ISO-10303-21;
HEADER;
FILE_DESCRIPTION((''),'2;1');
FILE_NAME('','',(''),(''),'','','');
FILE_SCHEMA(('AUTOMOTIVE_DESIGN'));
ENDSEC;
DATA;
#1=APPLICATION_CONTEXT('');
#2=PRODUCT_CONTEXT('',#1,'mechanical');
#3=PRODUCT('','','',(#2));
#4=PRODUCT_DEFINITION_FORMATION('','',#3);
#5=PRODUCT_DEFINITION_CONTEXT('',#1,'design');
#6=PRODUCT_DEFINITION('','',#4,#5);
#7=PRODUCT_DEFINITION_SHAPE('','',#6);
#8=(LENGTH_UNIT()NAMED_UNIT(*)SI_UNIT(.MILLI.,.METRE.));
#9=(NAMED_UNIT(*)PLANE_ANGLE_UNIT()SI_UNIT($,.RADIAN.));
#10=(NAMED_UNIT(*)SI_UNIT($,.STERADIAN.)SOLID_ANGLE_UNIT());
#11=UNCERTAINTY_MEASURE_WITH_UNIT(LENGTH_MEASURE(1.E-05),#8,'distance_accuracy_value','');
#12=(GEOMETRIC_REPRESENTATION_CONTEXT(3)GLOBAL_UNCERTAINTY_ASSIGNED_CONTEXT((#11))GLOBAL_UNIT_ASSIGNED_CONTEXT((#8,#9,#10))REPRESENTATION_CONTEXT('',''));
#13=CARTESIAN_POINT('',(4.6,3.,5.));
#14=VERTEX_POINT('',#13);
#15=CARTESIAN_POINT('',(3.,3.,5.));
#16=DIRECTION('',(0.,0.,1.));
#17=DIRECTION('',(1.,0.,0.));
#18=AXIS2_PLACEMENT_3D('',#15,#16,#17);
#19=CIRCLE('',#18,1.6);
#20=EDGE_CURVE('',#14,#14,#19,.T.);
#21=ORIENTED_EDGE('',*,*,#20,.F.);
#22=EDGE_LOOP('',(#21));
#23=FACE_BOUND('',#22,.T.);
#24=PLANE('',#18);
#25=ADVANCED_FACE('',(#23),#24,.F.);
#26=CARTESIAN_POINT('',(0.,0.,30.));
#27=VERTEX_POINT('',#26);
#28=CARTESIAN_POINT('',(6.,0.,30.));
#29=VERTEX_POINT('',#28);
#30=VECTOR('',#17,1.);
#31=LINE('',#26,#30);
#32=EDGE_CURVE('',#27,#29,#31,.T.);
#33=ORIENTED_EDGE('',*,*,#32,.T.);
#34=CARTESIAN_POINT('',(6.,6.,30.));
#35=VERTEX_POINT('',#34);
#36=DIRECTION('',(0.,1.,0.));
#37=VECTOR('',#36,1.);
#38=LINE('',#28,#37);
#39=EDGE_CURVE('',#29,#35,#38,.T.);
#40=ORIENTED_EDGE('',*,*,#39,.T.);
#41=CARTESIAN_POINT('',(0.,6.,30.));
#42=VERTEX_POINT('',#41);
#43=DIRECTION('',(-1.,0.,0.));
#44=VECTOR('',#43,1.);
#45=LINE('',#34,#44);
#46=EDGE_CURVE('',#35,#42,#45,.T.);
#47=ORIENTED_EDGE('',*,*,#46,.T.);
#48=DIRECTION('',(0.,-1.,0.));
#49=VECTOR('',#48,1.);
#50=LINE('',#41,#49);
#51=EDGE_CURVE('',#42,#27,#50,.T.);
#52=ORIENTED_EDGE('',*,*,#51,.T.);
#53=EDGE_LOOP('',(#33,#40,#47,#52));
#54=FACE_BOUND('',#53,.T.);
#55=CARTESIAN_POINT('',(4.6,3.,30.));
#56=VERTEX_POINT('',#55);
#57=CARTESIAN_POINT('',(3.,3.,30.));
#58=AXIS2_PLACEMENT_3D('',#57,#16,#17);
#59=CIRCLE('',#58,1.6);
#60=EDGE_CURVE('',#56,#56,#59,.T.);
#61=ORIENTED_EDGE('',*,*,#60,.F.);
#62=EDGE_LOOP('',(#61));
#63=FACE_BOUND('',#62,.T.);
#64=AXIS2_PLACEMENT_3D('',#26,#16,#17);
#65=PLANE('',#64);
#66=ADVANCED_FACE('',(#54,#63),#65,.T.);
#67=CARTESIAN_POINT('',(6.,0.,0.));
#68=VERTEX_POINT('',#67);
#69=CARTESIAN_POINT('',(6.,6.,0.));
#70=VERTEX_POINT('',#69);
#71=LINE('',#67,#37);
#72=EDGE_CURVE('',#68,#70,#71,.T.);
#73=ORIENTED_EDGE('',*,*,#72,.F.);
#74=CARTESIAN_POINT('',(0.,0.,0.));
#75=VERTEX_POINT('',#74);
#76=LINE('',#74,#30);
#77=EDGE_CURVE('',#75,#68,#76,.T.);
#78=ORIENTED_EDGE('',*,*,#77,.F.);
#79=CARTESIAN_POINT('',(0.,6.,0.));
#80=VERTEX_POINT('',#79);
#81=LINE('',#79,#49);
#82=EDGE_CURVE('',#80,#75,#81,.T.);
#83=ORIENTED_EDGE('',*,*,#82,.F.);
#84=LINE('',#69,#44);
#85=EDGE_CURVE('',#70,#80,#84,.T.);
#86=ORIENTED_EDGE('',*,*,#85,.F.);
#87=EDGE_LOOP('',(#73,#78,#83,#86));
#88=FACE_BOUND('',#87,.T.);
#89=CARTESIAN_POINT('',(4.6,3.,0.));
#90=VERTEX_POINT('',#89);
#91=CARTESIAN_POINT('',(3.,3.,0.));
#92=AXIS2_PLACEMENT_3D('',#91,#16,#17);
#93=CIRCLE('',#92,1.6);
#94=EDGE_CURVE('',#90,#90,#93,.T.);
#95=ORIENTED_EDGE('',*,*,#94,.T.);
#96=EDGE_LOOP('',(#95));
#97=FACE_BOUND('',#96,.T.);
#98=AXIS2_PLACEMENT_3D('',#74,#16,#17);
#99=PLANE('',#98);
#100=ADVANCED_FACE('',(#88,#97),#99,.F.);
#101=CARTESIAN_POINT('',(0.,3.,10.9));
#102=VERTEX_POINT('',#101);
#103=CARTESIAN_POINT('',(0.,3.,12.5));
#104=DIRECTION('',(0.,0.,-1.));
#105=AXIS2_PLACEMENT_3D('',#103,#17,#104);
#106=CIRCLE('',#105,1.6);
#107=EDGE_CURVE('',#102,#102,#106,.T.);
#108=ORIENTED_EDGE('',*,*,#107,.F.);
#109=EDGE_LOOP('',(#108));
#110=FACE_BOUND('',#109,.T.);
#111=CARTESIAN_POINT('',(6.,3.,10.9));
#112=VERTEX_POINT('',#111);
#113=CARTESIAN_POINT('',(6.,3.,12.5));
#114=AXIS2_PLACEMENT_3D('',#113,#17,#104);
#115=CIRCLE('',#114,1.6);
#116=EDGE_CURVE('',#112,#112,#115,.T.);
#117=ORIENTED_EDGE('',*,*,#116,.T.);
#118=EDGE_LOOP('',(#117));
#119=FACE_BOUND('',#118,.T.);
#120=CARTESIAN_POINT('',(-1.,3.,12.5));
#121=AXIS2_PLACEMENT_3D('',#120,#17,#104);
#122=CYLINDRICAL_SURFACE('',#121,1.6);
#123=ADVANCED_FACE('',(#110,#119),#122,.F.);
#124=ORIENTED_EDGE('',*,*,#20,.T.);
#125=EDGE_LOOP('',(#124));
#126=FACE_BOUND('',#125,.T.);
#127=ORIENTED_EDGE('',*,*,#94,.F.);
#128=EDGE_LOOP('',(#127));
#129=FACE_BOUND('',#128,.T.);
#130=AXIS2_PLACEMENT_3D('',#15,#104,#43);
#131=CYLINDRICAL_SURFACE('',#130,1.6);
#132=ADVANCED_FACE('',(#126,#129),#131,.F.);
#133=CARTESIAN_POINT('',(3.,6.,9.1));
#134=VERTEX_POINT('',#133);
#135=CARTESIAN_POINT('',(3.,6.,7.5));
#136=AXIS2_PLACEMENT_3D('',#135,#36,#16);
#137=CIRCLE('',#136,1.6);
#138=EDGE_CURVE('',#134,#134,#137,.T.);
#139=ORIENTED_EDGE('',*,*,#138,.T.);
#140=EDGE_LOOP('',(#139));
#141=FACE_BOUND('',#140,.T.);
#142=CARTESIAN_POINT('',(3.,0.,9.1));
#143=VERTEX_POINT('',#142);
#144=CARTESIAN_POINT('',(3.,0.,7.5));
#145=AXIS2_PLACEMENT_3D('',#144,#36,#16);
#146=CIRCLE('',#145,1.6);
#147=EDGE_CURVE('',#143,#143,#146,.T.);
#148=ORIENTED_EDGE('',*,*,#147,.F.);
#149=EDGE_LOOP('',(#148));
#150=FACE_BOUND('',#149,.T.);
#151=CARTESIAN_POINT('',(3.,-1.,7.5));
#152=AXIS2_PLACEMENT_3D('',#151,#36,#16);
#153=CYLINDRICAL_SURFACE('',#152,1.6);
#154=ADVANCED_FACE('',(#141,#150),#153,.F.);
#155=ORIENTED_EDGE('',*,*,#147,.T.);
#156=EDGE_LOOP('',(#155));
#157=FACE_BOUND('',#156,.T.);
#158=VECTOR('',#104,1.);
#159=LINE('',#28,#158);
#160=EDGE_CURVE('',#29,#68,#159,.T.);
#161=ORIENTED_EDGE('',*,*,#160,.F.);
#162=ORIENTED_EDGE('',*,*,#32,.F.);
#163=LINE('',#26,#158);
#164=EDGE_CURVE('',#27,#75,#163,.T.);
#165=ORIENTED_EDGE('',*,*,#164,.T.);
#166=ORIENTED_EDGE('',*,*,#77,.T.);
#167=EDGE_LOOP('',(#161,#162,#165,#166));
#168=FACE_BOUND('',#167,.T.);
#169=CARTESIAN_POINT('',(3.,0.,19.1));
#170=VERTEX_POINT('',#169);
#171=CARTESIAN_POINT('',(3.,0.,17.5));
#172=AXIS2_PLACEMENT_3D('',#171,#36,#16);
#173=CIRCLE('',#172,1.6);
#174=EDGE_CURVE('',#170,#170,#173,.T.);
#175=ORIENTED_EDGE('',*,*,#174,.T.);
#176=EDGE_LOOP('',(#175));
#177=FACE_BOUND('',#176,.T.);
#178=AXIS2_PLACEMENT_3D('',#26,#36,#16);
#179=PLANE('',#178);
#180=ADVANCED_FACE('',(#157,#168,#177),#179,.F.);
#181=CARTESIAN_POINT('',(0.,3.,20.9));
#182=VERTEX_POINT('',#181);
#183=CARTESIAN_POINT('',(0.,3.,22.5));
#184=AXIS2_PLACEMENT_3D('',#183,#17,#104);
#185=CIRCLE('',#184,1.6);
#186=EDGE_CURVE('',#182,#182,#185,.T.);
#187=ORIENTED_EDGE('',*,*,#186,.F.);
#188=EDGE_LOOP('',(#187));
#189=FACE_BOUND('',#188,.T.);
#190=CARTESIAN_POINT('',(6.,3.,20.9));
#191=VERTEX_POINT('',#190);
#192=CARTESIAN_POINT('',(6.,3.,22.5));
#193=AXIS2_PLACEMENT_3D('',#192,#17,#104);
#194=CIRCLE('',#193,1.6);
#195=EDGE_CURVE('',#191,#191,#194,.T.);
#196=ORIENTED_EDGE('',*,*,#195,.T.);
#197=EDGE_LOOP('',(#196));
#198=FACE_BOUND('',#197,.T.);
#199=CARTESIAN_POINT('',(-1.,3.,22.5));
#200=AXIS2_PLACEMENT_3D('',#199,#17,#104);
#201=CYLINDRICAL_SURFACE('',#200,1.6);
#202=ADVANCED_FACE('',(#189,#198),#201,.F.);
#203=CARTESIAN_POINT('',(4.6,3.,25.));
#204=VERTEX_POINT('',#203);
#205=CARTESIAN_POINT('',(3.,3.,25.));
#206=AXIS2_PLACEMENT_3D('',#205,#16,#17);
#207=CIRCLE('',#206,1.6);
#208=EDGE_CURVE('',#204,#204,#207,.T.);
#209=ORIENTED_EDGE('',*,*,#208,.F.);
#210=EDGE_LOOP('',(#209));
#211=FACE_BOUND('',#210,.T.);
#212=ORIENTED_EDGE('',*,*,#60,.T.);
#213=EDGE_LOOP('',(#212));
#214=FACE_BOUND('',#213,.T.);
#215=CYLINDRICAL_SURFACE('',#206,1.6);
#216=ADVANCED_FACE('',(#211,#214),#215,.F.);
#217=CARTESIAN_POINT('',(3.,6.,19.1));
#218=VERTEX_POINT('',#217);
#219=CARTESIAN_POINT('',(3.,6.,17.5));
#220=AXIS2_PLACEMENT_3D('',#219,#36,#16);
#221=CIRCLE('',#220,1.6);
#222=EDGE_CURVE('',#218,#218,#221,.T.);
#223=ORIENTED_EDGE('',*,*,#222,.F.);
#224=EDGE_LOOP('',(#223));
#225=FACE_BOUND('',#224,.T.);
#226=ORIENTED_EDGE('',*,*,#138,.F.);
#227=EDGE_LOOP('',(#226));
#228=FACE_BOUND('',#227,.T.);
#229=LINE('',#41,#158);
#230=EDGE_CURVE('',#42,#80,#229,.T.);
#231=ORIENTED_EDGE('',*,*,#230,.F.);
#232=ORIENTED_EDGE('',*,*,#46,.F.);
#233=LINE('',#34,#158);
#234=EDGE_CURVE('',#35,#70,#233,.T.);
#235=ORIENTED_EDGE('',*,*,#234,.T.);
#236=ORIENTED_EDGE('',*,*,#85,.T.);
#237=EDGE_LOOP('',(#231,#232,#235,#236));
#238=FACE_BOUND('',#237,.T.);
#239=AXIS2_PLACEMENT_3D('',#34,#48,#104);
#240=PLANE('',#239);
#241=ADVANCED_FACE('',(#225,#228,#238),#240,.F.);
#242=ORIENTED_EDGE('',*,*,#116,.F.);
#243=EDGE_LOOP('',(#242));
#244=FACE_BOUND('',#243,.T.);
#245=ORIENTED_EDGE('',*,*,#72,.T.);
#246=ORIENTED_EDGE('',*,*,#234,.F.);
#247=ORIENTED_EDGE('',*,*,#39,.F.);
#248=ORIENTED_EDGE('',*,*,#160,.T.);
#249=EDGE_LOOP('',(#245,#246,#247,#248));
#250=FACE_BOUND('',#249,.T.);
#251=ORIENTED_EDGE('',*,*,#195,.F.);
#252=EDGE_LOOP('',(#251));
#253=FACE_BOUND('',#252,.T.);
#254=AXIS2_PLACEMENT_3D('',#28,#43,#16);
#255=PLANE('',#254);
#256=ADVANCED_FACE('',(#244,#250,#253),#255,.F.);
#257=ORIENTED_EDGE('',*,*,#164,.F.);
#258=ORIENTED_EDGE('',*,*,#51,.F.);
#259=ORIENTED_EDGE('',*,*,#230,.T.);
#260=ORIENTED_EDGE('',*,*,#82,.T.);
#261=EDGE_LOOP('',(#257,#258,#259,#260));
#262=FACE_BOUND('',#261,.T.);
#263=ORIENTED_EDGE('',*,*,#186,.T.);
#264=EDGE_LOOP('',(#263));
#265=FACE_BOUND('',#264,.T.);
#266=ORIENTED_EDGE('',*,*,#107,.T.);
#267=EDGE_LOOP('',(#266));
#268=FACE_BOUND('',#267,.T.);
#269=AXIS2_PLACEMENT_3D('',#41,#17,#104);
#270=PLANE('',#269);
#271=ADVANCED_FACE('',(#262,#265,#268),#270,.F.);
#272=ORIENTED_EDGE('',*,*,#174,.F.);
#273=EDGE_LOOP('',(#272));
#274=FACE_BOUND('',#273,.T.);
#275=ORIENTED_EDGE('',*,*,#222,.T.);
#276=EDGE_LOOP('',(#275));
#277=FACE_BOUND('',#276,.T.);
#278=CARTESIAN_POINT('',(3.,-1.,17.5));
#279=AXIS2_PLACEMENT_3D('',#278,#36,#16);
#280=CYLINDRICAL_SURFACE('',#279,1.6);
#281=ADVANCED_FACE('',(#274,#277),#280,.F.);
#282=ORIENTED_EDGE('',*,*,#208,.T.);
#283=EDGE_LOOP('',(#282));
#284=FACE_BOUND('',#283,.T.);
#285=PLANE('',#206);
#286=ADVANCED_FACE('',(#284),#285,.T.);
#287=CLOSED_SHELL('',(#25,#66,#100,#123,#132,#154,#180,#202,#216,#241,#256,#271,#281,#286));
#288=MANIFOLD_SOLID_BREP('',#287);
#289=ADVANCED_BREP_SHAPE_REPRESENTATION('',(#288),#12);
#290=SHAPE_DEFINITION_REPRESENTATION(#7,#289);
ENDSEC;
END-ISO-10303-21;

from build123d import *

# Parameters (mm, degrees)
SKETCH_1_W          = 6
SKETCH_1_H          = 6
EXTRUDE_1_DEPTH     = 30
SKETCH_2_R          = 1.6
CUT_EXTRUDE_1_DEPTH = 5
CUT_EXTRUDE_START   = -30
SKETCH_2_2_R        = 1.6
CUT_EXTRUDE_2_DEPTH = 5
SKETCH_3_R          = 1.6
CUT_EXTRUDE_3_DEPTH = 7
SKETCH_4_R          = 1.6
CUT_EXTRUDE_4_DEPTH = 7


with BuildPart() as part:
    # 草图1 → 凸台-拉伸1 (new body)
    with BuildSketch(Plane.XY):
        with Locations((3, 3)):
            Rectangle(SKETCH_1_W, SKETCH_1_H)
    extrude(amount=EXTRUDE_1_DEPTH)

    # 草图2 → 切除-拉伸1 (cut)
    with BuildSketch(Plane.XY.offset(30)):
        with Locations((3, 3)):
            Circle(SKETCH_2_R)
    extrude(amount=-CUT_EXTRUDE_1_DEPTH, mode=Mode.SUBTRACT)

    # 草图2<2> → 切除-拉伸2 (cut)
    with BuildSketch(Plane.XY.offset(30).offset(CUT_EXTRUDE_START)):
        with Locations((3, 3)):
            Circle(SKETCH_2_2_R)
    extrude(amount=CUT_EXTRUDE_2_DEPTH, mode=Mode.SUBTRACT)

    # 草图3 → 切除-拉伸3 (cut)
    with BuildSketch(Plane(origin=(6, 0, 0), x_dir=(0, 0, -1), z_dir=(1, 0, 0))):
        with Locations((-22.5, 3)):
            Circle(SKETCH_3_R)
        with Locations((-12.5, 3)):
            Circle(SKETCH_3_R)
    extrude(amount=-CUT_EXTRUDE_3_DEPTH, mode=Mode.SUBTRACT)

    # 草图4 → 切除-拉伸4 (cut)
    with BuildSketch(Plane(origin=(0, 6, 0), x_dir=(1, 0, 0), z_dir=(0, 1, 0))):
        with Locations((3, -7.5)):
            Circle(SKETCH_4_R)
        with Locations((3, -17.5)):
            Circle(SKETCH_4_R)
    extrude(amount=-CUT_EXTRUDE_4_DEPTH, mode=Mode.SUBTRACT)


solid = part.part
